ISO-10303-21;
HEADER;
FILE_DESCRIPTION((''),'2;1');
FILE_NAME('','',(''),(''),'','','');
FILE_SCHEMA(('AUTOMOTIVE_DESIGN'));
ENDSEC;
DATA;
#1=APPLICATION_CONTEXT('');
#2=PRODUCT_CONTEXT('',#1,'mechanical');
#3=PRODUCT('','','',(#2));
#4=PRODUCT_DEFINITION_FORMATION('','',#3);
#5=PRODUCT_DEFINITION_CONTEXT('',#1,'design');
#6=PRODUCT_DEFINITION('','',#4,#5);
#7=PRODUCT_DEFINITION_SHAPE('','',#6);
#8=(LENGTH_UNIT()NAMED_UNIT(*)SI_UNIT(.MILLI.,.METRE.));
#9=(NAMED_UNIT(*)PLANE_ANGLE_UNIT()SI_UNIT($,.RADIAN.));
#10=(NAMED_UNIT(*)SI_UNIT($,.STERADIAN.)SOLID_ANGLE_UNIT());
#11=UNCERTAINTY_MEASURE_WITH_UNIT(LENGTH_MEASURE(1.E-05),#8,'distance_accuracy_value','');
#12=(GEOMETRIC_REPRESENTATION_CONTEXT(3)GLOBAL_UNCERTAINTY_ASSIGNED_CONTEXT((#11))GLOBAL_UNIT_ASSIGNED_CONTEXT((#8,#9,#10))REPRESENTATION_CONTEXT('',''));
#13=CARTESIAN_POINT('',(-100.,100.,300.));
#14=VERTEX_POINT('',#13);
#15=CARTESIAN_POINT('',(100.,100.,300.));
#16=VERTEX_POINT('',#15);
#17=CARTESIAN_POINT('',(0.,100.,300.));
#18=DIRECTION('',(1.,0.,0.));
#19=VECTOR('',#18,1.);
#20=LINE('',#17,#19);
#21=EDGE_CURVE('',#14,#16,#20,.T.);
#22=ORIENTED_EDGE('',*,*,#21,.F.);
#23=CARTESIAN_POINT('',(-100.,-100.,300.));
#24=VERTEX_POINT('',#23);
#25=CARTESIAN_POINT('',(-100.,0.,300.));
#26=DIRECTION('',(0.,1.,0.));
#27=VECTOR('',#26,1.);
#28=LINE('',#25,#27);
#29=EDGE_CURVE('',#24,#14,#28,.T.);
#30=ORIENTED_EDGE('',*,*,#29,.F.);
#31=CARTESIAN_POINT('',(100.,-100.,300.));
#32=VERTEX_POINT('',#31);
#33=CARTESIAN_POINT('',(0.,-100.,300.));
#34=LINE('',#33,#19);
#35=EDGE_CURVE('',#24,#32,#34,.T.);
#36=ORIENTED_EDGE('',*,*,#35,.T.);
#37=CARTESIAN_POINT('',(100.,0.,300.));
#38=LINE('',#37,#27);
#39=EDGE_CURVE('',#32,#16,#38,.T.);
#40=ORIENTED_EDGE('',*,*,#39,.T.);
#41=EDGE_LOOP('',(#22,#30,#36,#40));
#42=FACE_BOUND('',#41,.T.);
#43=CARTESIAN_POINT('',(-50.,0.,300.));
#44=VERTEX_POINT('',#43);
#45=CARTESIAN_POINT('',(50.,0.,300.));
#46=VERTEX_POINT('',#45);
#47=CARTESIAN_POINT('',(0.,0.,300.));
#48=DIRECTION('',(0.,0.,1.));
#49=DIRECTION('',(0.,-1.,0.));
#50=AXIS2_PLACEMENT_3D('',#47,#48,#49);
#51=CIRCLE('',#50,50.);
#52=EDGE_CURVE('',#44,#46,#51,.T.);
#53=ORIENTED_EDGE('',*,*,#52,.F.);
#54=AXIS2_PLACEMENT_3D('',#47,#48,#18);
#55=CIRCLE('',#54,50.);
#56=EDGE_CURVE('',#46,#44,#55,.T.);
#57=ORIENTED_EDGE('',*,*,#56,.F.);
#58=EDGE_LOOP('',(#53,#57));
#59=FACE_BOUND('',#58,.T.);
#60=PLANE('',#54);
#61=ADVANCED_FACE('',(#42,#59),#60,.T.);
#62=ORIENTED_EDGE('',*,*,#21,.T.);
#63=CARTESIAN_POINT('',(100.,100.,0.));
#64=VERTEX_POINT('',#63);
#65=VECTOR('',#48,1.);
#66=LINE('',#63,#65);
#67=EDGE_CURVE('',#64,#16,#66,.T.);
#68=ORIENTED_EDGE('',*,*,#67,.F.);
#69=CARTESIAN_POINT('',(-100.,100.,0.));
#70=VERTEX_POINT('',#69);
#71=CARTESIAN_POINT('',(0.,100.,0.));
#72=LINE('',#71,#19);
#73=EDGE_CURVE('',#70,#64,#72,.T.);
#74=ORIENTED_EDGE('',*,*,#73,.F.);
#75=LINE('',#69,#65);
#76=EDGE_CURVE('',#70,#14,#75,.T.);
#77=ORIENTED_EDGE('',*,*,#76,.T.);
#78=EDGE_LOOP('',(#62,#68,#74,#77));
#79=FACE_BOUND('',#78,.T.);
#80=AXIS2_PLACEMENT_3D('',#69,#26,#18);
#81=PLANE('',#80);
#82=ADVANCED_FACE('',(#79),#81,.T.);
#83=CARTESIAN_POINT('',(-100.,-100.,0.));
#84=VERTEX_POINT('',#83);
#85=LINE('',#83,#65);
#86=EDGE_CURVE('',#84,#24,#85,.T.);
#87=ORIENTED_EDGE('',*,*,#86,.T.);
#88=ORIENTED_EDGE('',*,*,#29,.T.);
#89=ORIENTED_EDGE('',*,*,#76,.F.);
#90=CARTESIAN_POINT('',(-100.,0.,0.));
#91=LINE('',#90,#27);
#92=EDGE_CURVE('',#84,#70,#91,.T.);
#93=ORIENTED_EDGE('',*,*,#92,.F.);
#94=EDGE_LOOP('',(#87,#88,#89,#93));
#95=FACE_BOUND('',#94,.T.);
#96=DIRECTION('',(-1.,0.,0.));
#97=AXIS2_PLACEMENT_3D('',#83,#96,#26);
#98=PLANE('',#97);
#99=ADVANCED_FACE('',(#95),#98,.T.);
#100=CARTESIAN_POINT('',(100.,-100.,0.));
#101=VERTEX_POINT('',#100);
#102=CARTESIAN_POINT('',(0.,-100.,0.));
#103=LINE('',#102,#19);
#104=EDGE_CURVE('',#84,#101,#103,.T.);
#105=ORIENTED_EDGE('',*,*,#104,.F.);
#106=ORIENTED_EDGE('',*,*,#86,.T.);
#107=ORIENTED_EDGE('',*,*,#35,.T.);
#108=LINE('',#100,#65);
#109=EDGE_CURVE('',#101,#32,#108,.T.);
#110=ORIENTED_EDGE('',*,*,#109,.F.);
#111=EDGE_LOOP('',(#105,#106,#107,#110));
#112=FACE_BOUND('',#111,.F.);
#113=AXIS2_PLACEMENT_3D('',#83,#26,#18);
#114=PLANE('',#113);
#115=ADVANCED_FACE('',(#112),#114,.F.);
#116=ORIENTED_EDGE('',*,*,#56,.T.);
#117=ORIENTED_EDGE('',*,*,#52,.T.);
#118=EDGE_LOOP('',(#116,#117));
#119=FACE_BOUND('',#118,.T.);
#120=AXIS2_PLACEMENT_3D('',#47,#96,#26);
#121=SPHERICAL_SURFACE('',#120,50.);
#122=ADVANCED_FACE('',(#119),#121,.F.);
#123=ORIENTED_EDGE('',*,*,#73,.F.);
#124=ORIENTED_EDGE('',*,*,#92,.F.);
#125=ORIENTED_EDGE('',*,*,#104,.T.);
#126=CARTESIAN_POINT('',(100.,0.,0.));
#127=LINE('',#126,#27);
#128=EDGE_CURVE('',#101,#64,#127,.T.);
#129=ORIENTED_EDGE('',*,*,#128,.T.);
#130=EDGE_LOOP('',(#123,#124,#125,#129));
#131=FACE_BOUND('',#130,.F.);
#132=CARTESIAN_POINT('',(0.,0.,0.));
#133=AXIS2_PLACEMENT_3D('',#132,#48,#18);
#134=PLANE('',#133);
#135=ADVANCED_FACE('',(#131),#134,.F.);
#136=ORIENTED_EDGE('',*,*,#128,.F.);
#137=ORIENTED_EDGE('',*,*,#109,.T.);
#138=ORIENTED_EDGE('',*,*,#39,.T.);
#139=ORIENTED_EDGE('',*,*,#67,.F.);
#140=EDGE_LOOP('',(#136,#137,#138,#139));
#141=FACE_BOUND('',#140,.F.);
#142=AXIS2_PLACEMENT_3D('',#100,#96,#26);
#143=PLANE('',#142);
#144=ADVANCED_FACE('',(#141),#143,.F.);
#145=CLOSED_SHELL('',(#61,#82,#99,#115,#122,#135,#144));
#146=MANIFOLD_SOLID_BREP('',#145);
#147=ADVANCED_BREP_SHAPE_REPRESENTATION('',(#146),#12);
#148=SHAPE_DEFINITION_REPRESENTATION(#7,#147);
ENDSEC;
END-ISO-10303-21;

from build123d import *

# Parameters (mm, degrees)
F0_W     = 200
F0_H     = 200
F1_DEPTH = 300


with BuildPart() as f1:
    # F0 (on Top) → F1 (new body)
    with BuildSketch(Plane.XY):
        Rectangle(F0_W, F0_H)
    extrude(amount=F1_DEPTH)

    # F2 (on face) → F3 (revolve, cut)
    with BuildSketch(Plane.XY.offset(300)):
        with BuildLine():
            Line((-50, 0), (50, 0))
            ThreePointArc((50, 0), (0, 50), (-50, 0))
        make_face()
    revolve(axis=Axis((0, 0, 300), (1, 0, 0)), mode=Mode.SUBTRACT)


solid = f1.part
